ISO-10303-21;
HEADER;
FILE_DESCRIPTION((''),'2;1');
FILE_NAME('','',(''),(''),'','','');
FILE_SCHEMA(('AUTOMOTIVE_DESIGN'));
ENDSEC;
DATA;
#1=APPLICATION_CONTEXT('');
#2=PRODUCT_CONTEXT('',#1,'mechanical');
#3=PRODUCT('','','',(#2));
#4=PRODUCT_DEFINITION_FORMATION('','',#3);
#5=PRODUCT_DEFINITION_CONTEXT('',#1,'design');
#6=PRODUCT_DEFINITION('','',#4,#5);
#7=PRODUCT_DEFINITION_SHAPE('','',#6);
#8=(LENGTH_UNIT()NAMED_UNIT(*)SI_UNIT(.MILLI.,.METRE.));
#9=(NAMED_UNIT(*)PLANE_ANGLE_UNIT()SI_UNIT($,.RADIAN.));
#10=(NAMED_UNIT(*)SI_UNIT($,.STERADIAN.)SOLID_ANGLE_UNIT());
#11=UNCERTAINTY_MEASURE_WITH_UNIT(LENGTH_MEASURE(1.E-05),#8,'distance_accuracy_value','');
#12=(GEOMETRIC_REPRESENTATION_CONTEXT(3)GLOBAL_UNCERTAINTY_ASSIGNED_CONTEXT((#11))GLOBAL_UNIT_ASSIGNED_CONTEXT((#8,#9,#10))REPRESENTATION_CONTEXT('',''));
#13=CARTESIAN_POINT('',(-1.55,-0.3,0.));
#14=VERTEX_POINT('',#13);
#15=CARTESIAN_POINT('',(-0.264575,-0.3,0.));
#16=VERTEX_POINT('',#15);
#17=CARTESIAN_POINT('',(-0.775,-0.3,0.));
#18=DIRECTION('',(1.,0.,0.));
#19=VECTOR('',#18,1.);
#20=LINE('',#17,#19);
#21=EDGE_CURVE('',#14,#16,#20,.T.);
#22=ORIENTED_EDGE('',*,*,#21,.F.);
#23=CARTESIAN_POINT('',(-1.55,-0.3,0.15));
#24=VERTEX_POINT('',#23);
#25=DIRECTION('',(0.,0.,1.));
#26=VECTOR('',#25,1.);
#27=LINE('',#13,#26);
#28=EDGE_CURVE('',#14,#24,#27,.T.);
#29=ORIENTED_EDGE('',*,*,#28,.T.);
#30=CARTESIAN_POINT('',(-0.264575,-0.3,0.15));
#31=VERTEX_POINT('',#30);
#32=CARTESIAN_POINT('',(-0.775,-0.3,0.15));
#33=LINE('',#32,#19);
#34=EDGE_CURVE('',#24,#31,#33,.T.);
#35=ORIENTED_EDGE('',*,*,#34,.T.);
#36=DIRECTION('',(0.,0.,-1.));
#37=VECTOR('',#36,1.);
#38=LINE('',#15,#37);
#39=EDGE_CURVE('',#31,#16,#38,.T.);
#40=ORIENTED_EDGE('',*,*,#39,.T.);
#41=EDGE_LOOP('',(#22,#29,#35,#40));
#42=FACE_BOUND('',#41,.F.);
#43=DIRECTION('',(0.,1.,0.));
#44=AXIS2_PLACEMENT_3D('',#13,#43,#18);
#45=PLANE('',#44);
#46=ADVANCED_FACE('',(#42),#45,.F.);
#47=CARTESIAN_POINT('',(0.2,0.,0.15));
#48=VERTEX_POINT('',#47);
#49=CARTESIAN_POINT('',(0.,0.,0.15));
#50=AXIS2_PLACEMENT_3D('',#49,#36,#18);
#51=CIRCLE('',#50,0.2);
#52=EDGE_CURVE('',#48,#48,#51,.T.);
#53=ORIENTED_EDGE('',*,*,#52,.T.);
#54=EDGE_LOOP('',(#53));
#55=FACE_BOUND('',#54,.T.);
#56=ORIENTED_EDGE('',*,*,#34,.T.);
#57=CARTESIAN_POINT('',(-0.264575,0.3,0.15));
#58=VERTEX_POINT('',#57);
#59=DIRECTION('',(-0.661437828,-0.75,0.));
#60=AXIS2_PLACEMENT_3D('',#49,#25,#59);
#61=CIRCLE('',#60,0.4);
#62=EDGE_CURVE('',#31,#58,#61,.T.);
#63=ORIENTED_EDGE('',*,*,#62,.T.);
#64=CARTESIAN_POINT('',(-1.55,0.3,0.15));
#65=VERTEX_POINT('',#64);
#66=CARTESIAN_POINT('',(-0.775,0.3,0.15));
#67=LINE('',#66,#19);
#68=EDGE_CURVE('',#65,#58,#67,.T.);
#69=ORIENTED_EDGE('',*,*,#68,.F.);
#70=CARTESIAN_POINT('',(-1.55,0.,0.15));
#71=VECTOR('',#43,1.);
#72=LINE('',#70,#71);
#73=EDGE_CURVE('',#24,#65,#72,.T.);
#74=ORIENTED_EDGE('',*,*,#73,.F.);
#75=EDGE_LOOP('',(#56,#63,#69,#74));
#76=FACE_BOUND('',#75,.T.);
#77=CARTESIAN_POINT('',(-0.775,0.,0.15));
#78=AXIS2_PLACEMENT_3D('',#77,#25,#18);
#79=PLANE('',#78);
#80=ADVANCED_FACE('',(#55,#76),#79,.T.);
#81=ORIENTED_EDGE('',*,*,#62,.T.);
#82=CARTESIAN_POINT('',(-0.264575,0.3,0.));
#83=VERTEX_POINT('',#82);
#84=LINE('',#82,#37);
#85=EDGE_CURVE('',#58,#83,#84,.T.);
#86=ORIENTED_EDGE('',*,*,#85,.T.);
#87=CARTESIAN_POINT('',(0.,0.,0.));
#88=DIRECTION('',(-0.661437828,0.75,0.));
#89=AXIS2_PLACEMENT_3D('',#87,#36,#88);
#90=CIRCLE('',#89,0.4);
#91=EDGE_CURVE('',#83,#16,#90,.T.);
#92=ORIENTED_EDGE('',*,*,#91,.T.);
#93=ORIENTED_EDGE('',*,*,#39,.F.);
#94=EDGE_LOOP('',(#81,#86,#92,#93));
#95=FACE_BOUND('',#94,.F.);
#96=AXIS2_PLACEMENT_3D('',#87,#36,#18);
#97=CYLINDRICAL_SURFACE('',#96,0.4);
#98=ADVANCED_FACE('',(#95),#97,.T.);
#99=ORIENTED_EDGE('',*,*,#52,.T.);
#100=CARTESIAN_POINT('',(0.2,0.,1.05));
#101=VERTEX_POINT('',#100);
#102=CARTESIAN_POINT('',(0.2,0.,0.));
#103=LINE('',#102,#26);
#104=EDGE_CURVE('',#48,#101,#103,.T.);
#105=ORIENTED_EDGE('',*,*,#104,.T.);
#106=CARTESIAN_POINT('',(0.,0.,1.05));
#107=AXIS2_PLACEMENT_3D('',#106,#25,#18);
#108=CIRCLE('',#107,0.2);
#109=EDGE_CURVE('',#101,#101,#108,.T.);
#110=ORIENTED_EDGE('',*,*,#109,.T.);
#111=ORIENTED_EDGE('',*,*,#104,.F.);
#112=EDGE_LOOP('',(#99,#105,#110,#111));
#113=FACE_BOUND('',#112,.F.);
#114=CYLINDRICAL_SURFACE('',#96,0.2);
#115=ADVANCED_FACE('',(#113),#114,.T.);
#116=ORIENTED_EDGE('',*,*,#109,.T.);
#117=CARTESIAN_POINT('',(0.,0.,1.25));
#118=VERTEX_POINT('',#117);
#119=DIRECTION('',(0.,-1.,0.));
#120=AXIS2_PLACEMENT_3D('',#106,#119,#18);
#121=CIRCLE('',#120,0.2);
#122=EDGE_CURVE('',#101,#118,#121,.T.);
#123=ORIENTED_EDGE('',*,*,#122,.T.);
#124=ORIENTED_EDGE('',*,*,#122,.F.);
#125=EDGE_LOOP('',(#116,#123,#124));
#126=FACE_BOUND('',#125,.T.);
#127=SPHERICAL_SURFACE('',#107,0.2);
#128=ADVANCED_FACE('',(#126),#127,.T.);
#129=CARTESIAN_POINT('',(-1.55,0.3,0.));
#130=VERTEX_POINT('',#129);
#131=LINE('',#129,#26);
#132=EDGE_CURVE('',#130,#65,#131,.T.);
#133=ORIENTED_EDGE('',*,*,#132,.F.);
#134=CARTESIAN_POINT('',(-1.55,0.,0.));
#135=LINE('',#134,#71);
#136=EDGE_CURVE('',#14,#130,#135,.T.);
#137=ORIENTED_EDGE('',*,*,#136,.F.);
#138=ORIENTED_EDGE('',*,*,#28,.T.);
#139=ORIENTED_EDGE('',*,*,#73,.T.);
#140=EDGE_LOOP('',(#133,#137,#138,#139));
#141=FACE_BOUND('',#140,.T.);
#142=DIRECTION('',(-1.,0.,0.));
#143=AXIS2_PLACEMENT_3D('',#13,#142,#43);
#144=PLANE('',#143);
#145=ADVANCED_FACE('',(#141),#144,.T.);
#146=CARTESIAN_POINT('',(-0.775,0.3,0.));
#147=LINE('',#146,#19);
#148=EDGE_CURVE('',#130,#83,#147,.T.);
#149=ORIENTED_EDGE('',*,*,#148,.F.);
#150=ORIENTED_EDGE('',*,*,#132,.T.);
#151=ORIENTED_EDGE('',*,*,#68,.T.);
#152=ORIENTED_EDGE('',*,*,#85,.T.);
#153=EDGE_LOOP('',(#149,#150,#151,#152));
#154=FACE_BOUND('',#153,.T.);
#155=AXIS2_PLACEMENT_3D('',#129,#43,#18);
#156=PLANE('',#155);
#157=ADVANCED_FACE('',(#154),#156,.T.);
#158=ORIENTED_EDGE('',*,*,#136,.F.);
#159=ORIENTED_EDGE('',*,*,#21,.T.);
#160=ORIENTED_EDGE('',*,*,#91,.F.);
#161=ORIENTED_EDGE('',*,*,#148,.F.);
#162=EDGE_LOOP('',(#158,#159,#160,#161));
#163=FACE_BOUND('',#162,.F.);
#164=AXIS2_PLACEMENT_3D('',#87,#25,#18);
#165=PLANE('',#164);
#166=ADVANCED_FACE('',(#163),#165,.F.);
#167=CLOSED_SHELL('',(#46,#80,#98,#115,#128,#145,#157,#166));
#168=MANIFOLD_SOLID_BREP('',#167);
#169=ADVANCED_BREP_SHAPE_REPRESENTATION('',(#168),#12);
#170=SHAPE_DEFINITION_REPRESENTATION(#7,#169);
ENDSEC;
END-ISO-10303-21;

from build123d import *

# Parameters (mm, degrees)
BOX003_W          = 1.55
BOX003_H          = 0.6
BOX003_DEPTH      = 0.15
CYLINDER001_R     = 0.2
CYLINDER001_DEPTH = 1.25
CYLINDER_R        = 0.4
CYLINDER_DEPTH    = 0.15
FILLET001_R       = 0.2


with BuildPart() as cube003:
    # Box003 → Box003 (new body)
    with BuildSketch(Plane(origin=(-0.25, 1, 0), x_dir=(1, 0, 0), z_dir=(0, 0, 1))):
        with Locations((0.775, 0.3)):
            Rectangle(BOX003_W, BOX003_H)
    extrude(amount=BOX003_DEPTH)


with BuildPart() as cylinder001:
    # Cylinder001 → Cylinder001 (new body)
    with BuildSketch(Plane(origin=(1.3, 1.3, 0), x_dir=(1, 0, 0), z_dir=(0, 0, 1))):
        Circle(CYLINDER001_R)
    extrude(amount=CYLINDER001_DEPTH)


with BuildPart() as pin:
    # Cylinder → Cylinder (new body)
    with BuildSketch(Plane(origin=(1.3, 1.3, 0), x_dir=(1, 0, 0), z_dir=(0, 0, 1))):
        Circle(CYLINDER_R)
    extrude(amount=CYLINDER_DEPTH)

    # Fusion001: union Cube003, Cylinder001
    add(cube003.part)
    add(cylinder001.part)

    # Fillet001
    fillet001_edges = [pin.edges().sort_by_distance(p)[0] for p in [
        (1.1, 1.3, 1.25),
    ]]
    fillet(fillet001_edges, radius=FILLET001_R)


with BuildPart() as pin_1:
    # Fillet001 placement: moved
    add(pin.part.moved(Location((-1.3, -1.3, 0))))


solid = pin_1.part
